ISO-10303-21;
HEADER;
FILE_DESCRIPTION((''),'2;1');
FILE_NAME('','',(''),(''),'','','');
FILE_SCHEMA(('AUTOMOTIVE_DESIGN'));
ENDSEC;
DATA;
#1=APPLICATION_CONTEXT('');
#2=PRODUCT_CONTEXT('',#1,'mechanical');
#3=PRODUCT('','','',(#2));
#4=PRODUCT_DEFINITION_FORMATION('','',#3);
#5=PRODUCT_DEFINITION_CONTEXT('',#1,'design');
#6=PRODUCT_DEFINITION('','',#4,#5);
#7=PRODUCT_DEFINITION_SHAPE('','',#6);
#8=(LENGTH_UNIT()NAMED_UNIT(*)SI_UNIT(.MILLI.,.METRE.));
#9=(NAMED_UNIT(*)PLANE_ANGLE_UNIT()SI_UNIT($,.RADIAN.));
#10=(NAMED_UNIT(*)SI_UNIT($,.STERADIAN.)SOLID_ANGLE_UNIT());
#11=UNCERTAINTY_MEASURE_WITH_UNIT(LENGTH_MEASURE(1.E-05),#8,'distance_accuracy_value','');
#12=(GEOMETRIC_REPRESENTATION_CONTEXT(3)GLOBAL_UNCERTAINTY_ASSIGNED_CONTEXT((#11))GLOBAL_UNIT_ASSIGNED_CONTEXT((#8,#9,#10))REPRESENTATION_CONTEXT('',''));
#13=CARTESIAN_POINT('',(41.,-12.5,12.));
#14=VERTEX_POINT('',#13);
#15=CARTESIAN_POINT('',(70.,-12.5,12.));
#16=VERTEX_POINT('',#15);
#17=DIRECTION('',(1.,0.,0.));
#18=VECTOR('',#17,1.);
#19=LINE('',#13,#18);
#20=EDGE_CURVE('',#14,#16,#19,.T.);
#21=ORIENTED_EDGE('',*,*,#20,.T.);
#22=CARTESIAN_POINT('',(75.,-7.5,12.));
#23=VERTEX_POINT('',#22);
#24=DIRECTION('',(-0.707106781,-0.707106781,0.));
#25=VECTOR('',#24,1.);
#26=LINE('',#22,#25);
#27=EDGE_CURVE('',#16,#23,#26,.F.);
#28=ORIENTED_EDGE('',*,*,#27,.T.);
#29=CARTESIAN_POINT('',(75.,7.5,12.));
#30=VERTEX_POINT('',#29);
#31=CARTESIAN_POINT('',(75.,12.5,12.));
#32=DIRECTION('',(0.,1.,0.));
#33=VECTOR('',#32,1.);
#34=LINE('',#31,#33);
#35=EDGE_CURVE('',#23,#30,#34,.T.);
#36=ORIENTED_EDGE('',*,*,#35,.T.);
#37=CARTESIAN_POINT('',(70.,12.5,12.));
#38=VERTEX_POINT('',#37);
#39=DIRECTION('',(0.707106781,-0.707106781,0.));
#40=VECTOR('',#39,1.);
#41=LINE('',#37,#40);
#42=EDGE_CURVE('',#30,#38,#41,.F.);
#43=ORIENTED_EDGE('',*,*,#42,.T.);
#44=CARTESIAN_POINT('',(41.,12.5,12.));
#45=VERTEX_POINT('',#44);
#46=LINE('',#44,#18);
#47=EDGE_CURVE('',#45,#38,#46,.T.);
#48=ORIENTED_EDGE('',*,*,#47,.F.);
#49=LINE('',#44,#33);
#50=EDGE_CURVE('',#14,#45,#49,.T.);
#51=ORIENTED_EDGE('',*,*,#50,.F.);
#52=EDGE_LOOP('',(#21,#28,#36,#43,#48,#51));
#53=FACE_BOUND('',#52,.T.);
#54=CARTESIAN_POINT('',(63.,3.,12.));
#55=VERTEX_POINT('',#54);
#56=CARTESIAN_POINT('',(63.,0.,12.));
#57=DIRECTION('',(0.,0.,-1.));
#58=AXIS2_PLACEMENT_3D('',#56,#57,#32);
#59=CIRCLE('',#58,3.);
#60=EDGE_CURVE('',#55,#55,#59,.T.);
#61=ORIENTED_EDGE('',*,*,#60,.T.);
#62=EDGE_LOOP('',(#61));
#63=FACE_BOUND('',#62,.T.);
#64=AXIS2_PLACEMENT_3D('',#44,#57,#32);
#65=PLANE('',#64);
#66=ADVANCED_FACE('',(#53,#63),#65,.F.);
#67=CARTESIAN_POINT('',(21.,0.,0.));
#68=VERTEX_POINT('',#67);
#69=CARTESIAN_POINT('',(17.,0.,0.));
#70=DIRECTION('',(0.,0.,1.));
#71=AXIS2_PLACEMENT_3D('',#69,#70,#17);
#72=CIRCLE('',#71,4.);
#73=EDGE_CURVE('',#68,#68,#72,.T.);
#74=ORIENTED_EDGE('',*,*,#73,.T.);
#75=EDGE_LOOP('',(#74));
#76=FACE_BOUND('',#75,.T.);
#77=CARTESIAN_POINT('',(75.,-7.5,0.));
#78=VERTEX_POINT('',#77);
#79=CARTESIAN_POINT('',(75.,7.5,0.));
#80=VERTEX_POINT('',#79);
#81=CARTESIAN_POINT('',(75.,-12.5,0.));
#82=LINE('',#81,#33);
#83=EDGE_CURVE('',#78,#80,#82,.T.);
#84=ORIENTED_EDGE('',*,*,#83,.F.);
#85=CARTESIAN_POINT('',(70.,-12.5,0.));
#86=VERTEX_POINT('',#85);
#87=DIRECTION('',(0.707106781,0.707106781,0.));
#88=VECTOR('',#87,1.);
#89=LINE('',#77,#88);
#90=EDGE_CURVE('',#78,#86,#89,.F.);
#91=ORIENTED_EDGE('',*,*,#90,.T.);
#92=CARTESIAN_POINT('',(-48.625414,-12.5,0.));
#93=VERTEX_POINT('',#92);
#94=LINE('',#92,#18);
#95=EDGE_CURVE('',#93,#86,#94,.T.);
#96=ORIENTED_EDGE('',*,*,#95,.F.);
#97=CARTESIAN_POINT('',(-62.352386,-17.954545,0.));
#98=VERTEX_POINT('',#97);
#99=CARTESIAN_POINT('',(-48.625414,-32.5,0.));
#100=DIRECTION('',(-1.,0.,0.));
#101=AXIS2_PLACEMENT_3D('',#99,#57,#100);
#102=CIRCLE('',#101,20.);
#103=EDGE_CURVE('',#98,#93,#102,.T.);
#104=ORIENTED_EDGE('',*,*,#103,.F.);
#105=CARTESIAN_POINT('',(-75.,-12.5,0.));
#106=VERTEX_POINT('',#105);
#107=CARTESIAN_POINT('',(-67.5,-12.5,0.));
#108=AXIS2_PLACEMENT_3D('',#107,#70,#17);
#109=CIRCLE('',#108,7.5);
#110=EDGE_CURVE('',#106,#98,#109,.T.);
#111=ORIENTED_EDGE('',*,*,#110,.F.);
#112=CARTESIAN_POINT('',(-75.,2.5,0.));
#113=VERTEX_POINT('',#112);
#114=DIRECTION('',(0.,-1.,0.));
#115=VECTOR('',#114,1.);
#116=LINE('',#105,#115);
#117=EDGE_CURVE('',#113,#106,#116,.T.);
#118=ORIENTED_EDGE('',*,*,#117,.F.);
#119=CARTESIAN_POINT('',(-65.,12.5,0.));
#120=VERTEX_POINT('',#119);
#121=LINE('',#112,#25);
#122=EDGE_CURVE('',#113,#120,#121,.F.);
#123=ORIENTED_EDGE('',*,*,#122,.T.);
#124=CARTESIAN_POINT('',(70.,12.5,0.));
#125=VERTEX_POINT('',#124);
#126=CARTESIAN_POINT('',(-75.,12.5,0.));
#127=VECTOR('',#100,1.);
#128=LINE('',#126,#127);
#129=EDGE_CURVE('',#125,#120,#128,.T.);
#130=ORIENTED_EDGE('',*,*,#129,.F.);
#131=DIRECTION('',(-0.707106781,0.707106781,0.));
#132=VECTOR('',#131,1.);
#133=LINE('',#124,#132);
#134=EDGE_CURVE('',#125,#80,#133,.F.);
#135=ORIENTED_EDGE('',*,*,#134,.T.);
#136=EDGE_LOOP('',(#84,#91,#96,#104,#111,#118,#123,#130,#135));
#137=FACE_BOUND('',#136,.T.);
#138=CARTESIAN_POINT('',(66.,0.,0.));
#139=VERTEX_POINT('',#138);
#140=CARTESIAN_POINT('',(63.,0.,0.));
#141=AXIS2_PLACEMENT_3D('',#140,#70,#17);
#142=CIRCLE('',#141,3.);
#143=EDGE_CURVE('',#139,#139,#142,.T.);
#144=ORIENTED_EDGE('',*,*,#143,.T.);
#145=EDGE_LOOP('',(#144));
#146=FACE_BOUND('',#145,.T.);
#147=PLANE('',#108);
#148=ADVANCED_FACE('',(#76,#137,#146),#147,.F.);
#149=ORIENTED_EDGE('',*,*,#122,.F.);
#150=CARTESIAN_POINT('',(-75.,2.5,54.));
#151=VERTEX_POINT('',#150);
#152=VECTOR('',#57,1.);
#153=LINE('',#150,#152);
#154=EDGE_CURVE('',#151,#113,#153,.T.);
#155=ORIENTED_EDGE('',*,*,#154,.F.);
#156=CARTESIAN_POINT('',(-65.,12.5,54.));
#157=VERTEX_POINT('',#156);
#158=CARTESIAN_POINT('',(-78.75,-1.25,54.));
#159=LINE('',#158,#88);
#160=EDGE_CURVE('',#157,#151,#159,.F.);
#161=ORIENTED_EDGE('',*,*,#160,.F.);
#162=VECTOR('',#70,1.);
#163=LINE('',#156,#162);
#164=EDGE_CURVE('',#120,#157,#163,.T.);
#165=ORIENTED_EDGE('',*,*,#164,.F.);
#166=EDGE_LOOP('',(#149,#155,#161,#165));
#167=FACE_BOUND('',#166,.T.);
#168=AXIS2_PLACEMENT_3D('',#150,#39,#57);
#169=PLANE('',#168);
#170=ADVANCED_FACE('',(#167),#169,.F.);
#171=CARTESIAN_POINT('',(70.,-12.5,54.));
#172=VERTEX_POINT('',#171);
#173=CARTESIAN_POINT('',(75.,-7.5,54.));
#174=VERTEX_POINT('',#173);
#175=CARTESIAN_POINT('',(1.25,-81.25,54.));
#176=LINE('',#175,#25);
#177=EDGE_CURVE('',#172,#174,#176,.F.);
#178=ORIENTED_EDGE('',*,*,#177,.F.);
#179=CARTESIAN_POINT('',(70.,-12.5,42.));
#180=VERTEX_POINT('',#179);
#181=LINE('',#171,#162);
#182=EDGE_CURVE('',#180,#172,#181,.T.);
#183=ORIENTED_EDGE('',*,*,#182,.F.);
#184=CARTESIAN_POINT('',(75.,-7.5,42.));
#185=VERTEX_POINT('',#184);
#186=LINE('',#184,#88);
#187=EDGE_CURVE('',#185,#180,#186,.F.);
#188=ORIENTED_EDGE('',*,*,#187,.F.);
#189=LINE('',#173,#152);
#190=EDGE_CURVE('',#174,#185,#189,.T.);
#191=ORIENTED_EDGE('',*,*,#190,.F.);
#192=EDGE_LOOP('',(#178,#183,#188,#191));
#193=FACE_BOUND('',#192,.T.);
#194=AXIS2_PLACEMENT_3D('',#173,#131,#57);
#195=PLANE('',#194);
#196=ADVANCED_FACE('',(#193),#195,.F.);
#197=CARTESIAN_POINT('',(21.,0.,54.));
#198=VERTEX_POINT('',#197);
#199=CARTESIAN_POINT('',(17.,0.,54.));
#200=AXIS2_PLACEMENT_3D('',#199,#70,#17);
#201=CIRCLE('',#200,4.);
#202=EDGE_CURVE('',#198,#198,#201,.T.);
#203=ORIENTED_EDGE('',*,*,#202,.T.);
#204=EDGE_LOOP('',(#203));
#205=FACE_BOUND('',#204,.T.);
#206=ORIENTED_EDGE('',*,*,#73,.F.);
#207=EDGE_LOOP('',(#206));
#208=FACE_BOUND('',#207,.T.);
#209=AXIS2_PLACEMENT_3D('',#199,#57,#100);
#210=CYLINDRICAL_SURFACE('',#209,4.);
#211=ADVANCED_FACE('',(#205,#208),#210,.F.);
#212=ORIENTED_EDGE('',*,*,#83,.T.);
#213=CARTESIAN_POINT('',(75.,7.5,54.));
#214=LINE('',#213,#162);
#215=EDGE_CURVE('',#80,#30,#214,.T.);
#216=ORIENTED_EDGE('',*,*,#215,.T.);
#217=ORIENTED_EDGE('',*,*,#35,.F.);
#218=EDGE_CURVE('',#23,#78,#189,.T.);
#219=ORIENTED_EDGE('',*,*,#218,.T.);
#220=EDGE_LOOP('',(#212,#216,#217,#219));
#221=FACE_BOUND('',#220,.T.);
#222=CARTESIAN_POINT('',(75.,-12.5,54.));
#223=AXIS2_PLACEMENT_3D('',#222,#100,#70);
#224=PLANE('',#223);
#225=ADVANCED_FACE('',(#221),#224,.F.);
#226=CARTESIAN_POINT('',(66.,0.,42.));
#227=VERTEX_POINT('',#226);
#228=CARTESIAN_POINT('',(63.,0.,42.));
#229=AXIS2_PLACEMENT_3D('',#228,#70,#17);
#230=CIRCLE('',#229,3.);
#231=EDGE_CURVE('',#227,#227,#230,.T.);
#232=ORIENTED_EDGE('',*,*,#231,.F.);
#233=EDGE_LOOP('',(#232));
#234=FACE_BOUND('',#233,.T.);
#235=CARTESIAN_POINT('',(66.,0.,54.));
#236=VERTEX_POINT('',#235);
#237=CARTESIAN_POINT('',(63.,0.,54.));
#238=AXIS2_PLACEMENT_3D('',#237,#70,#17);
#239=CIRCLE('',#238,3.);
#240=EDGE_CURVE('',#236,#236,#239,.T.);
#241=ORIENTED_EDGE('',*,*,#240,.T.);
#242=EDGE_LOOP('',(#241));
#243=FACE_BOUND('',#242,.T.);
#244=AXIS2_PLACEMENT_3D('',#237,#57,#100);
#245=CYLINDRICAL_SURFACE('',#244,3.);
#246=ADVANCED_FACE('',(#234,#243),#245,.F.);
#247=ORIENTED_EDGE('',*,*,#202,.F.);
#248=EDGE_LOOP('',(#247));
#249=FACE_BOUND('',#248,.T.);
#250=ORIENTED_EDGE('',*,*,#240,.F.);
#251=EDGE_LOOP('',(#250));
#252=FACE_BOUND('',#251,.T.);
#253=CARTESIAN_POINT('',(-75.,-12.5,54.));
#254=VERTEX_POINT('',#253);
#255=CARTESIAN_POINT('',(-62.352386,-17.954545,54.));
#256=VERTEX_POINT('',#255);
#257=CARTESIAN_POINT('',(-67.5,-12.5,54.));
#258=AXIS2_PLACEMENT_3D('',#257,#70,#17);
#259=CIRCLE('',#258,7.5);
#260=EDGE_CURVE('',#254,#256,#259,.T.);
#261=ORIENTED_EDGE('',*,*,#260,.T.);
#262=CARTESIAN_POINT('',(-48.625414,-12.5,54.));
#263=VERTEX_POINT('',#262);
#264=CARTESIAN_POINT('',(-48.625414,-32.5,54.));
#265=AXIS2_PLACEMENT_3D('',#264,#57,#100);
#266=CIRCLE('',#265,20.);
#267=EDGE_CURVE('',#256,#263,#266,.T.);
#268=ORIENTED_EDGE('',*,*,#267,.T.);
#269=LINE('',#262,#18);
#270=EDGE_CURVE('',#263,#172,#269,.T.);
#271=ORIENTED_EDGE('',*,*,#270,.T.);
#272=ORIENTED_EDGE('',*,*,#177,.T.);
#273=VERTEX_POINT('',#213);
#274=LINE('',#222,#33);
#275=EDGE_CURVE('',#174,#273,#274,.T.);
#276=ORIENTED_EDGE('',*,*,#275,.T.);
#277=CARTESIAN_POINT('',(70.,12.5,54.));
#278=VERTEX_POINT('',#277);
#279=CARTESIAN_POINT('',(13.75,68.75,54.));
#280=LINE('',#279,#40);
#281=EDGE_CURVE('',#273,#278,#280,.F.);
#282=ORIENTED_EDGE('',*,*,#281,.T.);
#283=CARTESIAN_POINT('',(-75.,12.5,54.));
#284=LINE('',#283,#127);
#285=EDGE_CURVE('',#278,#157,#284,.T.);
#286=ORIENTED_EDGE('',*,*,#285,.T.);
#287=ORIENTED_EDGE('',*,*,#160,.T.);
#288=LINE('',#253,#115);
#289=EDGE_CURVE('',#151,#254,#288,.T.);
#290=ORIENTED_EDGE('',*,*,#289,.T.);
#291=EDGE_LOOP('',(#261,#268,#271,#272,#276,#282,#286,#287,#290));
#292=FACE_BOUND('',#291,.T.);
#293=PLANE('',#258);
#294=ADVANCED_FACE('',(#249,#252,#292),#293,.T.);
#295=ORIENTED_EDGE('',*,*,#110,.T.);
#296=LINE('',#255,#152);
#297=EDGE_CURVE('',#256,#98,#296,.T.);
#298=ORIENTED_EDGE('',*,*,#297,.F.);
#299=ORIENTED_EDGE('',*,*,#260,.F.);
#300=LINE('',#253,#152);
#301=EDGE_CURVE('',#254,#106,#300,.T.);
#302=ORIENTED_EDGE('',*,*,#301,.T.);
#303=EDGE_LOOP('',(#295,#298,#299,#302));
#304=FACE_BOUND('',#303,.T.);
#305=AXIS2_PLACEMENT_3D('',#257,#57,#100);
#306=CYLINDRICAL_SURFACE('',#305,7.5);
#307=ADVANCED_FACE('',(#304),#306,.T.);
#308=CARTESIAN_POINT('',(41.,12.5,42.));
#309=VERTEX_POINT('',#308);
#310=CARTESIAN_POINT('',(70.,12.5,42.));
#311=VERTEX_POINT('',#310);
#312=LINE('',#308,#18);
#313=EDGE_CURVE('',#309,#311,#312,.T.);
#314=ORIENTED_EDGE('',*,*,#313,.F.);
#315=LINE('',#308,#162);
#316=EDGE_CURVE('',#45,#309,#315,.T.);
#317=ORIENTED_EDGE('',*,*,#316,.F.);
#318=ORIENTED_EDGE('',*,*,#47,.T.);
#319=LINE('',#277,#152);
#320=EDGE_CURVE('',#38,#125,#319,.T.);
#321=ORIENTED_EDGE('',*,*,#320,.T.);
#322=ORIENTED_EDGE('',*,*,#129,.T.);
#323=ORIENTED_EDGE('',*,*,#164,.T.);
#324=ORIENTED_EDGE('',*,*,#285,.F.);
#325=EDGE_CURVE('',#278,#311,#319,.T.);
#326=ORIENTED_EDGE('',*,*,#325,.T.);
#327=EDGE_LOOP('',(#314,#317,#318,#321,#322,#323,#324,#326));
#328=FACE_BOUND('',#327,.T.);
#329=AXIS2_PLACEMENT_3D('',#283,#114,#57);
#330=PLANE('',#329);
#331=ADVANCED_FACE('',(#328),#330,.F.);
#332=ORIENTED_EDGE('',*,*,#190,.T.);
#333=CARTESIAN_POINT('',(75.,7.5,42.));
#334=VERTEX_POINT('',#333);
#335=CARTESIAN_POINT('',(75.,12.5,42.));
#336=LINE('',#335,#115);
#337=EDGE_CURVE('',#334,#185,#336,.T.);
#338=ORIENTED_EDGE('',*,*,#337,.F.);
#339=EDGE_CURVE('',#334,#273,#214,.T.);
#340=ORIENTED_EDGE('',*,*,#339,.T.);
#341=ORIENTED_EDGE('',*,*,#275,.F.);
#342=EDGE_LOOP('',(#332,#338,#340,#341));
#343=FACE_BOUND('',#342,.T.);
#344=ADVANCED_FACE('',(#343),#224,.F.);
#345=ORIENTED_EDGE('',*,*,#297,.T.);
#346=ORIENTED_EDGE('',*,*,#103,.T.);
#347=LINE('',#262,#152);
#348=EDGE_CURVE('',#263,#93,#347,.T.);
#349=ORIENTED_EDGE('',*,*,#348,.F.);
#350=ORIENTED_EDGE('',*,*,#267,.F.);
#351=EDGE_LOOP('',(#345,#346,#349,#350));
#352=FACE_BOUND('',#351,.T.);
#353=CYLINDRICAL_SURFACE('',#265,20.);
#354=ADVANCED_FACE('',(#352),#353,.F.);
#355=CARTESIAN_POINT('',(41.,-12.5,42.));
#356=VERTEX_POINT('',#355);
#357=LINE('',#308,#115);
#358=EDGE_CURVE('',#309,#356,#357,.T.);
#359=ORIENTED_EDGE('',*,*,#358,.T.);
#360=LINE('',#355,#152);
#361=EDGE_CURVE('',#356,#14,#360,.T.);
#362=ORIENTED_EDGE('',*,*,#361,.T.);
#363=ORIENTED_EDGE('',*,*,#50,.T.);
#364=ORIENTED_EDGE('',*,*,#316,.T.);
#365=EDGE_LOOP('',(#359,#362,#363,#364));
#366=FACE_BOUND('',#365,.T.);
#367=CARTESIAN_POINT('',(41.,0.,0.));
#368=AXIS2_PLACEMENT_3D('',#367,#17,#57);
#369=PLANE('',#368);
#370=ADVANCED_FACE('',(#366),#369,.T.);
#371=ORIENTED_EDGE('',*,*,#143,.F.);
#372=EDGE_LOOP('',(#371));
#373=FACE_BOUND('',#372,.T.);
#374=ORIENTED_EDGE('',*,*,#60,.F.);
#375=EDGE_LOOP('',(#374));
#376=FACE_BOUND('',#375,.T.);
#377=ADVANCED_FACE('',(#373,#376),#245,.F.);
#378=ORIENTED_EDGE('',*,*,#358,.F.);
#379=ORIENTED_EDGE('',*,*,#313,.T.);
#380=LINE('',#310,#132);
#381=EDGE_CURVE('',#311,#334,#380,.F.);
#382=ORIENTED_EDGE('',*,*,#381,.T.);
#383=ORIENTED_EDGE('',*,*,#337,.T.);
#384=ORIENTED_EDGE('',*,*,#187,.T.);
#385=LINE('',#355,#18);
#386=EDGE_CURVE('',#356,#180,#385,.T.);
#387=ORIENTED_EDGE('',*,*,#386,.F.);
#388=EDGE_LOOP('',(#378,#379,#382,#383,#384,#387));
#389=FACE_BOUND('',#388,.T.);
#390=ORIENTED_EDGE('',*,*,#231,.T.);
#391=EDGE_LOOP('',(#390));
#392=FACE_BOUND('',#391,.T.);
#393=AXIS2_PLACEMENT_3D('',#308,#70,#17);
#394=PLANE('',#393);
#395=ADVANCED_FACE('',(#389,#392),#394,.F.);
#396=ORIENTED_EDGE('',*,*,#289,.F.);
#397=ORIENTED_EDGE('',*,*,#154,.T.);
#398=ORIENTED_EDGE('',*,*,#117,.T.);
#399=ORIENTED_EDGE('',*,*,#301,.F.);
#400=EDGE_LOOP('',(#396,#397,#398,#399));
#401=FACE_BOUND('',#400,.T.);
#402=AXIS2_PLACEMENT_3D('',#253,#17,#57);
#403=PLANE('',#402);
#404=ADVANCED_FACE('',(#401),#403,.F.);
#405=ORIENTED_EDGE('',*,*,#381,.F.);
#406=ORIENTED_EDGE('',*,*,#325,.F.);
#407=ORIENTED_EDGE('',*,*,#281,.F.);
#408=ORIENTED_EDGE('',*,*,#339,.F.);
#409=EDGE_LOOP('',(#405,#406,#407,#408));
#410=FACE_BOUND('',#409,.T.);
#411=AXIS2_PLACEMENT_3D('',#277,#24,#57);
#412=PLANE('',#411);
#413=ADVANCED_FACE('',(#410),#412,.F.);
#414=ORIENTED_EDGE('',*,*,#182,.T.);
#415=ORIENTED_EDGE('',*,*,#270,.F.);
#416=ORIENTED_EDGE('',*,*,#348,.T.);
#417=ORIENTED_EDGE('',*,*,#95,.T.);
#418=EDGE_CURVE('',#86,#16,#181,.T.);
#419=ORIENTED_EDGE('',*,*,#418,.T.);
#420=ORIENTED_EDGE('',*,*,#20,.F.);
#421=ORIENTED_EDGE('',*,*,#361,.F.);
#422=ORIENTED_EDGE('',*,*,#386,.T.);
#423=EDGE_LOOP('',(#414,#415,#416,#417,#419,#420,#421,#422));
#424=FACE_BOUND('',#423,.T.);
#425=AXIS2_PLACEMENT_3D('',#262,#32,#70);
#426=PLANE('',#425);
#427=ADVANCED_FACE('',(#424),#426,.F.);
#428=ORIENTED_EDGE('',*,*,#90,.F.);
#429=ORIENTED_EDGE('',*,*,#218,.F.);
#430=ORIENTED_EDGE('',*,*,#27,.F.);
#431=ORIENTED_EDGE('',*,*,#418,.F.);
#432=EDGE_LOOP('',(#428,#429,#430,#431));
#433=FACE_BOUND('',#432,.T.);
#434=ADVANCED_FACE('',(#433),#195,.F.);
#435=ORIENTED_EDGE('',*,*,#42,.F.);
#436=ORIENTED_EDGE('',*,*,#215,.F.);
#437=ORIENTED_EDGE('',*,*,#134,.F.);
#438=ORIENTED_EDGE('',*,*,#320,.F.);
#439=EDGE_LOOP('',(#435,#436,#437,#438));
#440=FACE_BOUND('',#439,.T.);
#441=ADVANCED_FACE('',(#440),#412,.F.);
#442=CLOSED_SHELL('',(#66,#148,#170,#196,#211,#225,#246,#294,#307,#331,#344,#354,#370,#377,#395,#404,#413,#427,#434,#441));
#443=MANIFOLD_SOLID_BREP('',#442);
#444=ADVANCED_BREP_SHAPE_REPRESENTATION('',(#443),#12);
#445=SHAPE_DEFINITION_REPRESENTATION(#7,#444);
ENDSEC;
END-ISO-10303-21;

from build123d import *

# Parameters (mm, degrees)
SCHIZZO1_R                   = 3
SCHIZZO1_R_2                 = 4
ESTRUSIONE_ESTRUSIONE1_DEPTH = 54
SCHIZZO2_W                   = 30
SCHIZZO2_H                   = 25
TAGLIO_ESTRUSIONE1_DEPTH     = 34
SMUSSO1_SIZE                 = 5
SMUSSO2_SIZE                 = 10


with BuildPart() as part:
    # Schizzo1 → Estrusione-Estrusione1 (new body)
    with BuildSketch(Plane.XY):
        with BuildLine():
            Line((-48.625413912, -12.5), (75, -12.5))
            Line((75, -12.5), (75, 12.5))
            Line((75, 12.5), (-75, 12.5))
            Line((-75, 12.5), (-75, -12.5))
            ThreePointArc((-75, -12.5), (-70.470091926, -19.386839185), (-62.352385612, -17.954545455))
            ThreePointArc((-62.352385612, -17.954545455), (-56.010903371, -13.913592454), (-48.625413912, -12.5))
        make_face()
        with Locations((63, 0)):
            Circle(SCHIZZO1_R, mode=Mode.SUBTRACT)
        with Locations((17, 0)):
            Circle(SCHIZZO1_R_2, mode=Mode.SUBTRACT)
    extrude(amount=ESTRUSIONE_ESTRUSIONE1_DEPTH)

    # Schizzo2 → Taglio-Estrusione1 (cut)
    with BuildSketch(Plane(origin=(75, 0, 0), x_dir=(0, 0, -1), z_dir=(1, 0, 0))):
        with Locations((-27, 0)):
            Rectangle(SCHIZZO2_W, SCHIZZO2_H)
    extrude(amount=-TAGLIO_ESTRUSIONE1_DEPTH, mode=Mode.SUBTRACT)

    # Smusso1
    smusso1_edges = [part.edges().sort_by_distance(p)[0] for p in [
        (75, -12.5, 48),
        (75, 12.5, 48),
        (75, -12.5, 6),
        (75, 12.5, 6),
    ]]
    chamfer(smusso1_edges, length=SMUSSO1_SIZE)

    # Smusso2
    smusso2_edges = [part.edges().sort_by_distance(p)[0] for p in [
        (-75, 12.5, 27),
    ]]
    chamfer(smusso2_edges, length=SMUSSO2_SIZE)


solid = part.part
